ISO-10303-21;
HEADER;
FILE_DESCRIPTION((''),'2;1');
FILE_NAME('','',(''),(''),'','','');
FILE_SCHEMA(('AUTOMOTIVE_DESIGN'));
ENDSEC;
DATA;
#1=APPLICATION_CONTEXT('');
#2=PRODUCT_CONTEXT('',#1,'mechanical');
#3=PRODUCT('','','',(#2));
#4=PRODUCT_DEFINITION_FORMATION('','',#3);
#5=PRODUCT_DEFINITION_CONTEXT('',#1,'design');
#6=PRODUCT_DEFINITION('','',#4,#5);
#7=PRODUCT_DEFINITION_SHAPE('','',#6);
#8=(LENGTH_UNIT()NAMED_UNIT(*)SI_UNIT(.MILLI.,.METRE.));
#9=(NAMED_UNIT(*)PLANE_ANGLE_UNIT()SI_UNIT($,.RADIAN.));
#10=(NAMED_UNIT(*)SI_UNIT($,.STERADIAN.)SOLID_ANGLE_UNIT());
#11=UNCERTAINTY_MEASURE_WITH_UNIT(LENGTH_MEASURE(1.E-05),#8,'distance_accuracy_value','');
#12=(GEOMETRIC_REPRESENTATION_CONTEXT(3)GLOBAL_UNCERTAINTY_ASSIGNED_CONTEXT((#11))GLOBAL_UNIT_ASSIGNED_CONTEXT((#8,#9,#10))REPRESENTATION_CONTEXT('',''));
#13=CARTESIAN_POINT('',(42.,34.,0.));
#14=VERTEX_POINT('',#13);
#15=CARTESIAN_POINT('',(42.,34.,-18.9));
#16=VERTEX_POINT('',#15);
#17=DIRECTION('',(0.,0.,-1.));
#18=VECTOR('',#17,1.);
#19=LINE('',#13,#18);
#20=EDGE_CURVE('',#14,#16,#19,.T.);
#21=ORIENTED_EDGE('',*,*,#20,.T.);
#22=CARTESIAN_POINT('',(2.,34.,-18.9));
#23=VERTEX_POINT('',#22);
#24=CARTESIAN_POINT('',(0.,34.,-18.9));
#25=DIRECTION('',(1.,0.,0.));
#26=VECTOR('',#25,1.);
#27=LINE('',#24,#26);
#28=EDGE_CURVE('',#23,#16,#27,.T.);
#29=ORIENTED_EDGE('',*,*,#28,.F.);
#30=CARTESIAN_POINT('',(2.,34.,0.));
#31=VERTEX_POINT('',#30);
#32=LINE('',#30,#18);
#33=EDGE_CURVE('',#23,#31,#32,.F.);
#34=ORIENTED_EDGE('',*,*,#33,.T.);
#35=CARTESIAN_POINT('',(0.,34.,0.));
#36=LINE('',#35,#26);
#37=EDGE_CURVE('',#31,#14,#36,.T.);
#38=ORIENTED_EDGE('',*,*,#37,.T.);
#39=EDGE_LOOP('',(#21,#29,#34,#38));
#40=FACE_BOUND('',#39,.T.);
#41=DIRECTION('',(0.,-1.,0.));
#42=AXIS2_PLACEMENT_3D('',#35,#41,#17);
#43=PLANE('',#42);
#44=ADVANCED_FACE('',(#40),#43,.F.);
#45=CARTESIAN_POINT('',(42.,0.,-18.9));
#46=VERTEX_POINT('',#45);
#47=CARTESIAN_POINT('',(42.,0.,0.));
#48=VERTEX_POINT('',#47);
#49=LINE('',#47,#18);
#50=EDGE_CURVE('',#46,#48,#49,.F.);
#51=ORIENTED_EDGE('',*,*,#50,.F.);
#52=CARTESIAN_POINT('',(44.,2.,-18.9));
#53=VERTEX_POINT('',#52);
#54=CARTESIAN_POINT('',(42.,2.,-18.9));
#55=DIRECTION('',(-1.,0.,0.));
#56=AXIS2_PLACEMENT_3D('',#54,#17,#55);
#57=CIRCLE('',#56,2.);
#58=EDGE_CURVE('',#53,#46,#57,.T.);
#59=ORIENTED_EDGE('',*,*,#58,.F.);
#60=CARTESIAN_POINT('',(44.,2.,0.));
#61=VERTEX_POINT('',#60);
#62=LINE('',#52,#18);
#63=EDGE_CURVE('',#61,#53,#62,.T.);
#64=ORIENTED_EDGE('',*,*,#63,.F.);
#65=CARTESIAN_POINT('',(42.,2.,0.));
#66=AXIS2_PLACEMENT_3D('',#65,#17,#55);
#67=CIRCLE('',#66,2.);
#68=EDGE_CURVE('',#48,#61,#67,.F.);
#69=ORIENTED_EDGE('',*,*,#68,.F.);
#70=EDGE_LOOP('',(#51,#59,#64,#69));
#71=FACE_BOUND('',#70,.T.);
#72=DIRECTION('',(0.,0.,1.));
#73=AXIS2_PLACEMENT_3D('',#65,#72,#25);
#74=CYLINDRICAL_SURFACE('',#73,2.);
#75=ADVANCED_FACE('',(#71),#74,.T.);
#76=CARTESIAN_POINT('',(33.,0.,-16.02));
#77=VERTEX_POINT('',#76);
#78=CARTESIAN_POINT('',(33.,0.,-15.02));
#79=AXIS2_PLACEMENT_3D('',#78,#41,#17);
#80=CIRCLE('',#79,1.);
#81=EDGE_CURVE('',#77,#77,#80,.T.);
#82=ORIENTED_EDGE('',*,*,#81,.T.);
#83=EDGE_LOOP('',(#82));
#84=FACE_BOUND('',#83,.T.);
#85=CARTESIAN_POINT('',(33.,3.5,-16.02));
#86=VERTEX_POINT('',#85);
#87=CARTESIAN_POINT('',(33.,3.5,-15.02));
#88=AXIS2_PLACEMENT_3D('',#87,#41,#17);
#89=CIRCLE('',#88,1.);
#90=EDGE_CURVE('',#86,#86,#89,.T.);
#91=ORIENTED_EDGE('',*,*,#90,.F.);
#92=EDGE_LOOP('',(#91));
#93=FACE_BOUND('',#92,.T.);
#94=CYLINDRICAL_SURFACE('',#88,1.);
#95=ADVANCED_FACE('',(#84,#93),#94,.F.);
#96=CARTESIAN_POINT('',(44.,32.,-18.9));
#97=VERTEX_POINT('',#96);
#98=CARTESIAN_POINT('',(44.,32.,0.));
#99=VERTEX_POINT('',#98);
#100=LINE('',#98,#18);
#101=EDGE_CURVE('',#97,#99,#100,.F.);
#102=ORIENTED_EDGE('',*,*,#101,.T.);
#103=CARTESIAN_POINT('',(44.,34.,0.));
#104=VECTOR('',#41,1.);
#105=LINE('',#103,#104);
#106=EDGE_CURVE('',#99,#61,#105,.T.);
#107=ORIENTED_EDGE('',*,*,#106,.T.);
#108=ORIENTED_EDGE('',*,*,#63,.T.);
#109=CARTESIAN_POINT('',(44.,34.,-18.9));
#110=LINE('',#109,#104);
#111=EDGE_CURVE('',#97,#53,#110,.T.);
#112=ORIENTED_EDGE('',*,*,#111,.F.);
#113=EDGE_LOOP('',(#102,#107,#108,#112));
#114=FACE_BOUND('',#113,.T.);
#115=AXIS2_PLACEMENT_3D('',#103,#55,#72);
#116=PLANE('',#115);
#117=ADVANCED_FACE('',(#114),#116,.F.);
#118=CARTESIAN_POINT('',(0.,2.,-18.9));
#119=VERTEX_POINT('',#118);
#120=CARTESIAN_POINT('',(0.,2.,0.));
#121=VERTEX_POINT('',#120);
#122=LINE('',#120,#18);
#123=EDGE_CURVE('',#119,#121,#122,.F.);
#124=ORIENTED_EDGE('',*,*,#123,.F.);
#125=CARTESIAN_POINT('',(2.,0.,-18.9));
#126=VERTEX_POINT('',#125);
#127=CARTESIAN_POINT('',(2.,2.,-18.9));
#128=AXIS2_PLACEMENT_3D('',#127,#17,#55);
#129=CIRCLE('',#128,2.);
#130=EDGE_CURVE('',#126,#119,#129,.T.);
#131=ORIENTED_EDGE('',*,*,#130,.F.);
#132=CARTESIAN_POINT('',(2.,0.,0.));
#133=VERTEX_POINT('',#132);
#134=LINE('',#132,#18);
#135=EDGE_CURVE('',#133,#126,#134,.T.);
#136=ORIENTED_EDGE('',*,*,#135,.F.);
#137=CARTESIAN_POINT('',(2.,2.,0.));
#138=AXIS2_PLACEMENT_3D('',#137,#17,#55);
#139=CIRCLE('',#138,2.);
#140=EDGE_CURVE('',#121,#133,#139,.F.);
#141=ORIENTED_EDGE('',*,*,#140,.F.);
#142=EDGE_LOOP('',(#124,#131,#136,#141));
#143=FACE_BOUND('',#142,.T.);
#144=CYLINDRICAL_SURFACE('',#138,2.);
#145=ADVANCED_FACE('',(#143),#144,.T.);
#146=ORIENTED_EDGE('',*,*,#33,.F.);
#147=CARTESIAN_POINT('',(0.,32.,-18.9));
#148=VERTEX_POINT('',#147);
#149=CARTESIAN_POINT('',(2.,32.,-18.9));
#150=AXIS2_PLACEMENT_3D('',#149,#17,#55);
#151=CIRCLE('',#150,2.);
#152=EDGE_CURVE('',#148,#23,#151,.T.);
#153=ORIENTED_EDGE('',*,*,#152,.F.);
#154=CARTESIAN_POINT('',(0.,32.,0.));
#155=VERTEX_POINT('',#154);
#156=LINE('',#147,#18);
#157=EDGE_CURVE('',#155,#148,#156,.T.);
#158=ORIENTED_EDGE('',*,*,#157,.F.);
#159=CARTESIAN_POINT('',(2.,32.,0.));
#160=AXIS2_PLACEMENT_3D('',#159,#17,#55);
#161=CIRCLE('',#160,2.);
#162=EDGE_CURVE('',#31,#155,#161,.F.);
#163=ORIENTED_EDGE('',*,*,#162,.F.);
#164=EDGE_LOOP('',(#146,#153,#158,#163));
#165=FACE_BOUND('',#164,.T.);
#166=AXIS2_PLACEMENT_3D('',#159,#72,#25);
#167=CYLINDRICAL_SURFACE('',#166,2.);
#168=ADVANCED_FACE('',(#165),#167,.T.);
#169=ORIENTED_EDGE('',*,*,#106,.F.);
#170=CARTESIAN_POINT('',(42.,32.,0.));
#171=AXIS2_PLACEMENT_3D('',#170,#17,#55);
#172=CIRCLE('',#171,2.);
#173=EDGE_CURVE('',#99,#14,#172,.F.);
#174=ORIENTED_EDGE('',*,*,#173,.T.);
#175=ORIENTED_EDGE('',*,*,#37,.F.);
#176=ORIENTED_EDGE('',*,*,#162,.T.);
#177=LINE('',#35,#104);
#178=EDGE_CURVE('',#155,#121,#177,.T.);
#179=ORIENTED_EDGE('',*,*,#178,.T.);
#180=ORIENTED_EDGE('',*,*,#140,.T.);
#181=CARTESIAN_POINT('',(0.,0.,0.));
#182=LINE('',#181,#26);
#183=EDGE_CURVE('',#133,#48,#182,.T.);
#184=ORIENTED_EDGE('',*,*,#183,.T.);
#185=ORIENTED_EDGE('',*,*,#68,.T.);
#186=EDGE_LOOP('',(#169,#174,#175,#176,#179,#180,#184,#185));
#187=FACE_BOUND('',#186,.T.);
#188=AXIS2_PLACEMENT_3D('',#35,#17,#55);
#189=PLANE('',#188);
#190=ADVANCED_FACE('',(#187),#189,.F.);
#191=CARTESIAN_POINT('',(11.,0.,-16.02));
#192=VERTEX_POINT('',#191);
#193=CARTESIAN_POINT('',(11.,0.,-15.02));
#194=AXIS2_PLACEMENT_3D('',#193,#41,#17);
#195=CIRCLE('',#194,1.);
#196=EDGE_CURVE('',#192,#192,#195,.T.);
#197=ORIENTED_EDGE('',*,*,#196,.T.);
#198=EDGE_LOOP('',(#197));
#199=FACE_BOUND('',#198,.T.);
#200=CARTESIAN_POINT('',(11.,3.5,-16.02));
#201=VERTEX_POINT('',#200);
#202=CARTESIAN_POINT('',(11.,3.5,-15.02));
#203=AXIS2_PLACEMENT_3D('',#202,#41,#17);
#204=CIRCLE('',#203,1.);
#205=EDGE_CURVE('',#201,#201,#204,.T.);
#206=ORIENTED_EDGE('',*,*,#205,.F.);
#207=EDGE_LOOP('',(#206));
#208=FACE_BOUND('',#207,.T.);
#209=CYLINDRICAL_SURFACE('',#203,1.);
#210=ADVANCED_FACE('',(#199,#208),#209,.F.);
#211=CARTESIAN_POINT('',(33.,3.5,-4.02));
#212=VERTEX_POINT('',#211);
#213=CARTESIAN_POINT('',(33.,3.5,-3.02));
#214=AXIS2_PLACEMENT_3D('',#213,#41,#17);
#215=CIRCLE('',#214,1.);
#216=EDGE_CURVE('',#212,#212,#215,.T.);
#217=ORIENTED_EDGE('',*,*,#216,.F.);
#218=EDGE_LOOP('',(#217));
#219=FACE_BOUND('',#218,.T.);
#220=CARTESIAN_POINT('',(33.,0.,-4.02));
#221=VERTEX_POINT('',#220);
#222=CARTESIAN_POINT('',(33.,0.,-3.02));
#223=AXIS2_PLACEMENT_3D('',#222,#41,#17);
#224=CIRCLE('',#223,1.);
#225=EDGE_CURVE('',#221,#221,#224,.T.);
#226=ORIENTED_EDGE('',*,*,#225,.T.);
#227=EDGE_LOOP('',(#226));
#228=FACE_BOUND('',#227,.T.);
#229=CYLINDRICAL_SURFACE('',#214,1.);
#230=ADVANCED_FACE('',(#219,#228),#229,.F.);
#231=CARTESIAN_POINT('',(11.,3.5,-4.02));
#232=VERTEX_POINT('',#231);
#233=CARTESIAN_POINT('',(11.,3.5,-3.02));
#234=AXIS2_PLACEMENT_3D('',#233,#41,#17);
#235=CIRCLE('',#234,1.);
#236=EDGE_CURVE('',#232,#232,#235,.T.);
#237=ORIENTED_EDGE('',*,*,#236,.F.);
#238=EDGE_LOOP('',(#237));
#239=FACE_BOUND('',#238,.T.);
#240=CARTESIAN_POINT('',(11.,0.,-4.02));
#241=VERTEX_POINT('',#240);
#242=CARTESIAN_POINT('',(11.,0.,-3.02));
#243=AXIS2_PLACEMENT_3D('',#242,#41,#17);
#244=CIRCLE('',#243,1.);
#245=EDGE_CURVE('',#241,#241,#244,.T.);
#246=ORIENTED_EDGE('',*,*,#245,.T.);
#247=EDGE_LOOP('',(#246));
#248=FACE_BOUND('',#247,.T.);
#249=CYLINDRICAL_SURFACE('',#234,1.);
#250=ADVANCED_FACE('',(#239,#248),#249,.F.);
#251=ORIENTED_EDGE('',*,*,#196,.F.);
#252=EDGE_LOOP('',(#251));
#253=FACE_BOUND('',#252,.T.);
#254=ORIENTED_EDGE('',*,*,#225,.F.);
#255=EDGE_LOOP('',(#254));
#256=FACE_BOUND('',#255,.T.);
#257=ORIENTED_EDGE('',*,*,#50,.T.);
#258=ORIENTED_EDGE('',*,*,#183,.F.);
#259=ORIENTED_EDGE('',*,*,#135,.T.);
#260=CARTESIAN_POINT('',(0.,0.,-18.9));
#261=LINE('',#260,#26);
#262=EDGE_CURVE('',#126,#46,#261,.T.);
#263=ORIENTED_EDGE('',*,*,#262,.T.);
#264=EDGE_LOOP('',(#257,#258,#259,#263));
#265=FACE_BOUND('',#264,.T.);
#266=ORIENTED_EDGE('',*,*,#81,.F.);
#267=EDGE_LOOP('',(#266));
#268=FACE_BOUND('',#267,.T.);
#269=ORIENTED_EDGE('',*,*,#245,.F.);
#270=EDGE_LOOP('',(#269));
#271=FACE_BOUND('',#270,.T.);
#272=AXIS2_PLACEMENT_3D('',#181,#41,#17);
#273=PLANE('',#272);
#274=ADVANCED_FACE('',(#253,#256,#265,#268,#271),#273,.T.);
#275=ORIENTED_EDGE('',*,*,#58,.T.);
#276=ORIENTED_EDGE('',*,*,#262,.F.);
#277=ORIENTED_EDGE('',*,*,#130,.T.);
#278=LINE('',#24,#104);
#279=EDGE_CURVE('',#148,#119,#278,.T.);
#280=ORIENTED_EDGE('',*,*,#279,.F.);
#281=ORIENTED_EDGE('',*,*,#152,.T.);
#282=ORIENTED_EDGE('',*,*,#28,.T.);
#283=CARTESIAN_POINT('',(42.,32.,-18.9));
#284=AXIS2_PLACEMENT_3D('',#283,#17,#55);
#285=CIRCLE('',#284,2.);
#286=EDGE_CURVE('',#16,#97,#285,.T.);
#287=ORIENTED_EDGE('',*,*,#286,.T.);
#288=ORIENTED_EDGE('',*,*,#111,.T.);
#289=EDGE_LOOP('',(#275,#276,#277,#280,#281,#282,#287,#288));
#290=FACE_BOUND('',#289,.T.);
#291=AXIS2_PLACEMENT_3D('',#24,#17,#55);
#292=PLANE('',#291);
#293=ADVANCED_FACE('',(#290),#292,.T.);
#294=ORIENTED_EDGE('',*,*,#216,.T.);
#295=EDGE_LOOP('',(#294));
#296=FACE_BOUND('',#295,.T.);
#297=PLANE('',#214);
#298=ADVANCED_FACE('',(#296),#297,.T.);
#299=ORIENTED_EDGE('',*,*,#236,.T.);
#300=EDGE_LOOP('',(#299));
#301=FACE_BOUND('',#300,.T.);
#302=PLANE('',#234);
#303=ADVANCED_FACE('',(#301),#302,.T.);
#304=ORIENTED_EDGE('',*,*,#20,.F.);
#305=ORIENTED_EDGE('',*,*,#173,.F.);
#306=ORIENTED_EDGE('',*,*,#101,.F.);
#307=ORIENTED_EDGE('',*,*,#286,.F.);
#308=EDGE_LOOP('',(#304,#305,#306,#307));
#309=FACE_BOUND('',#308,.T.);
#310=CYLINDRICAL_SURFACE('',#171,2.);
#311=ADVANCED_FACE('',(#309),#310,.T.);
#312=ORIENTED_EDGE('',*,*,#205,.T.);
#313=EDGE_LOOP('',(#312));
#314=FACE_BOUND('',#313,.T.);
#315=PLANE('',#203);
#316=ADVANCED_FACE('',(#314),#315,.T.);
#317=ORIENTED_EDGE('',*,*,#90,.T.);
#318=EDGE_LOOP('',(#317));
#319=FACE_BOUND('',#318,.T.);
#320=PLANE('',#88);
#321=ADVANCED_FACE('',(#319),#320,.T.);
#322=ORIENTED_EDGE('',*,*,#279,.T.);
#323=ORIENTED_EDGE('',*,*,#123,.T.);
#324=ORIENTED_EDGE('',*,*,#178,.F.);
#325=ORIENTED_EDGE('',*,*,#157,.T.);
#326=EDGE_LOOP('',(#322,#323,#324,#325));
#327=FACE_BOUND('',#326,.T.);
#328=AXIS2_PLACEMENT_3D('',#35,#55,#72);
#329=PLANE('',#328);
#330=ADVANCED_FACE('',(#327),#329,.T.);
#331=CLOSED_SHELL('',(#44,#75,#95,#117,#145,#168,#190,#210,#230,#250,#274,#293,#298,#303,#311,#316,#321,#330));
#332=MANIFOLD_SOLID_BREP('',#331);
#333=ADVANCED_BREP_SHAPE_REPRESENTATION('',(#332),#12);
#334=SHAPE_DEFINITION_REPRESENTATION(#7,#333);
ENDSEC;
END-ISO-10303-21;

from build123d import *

# Parameters (mm, degrees)
SKETCH1_W           = 44
SKETCH1_H           = 18.9
BOSS_EXTRUDE1_DEPTH = 34
FILLET1_R           = 2
SKETCH2_R           = 1
CUT_EXTRUDE1_DEPTH  = 3.5


with BuildPart() as part:
    # Sketch1 → Boss-Extrude1 (new body)
    with BuildSketch(Plane(origin=(0, 0, 0), x_dir=(1, 0, 0), z_dir=(0, 1, 0))):
        with Locations((22, 9.45)):
            Rectangle(SKETCH1_W, SKETCH1_H)
    extrude(amount=BOSS_EXTRUDE1_DEPTH)

    # Fillet1
    fillet1_edges = [part.edges().sort_by_distance(p)[0] for p in [
        (44, 34, -9.45),
        (0, 34, -9.45),
        (44, 0, -9.45),
        (0, 0, -9.45),
    ]]
    fillet(fillet1_edges, radius=FILLET1_R)

    # Sketch2 → Cut-Extrude1 (cut)
    with BuildSketch(Plane(origin=(0, 0, 0), x_dir=(-1, 0, 0), z_dir=(0, -1, 0))):
        with Locations((-11, 3.02)):
            Circle(SKETCH2_R)
        with Locations((-33, 3.02)):
            Circle(SKETCH2_R)
        with Locations((-11, 15.02)):
            Circle(SKETCH2_R)
        with Locations((-33, 15.02)):
            Circle(SKETCH2_R)
    extrude(amount=-CUT_EXTRUDE1_DEPTH, mode=Mode.SUBTRACT)


solid = part.part
